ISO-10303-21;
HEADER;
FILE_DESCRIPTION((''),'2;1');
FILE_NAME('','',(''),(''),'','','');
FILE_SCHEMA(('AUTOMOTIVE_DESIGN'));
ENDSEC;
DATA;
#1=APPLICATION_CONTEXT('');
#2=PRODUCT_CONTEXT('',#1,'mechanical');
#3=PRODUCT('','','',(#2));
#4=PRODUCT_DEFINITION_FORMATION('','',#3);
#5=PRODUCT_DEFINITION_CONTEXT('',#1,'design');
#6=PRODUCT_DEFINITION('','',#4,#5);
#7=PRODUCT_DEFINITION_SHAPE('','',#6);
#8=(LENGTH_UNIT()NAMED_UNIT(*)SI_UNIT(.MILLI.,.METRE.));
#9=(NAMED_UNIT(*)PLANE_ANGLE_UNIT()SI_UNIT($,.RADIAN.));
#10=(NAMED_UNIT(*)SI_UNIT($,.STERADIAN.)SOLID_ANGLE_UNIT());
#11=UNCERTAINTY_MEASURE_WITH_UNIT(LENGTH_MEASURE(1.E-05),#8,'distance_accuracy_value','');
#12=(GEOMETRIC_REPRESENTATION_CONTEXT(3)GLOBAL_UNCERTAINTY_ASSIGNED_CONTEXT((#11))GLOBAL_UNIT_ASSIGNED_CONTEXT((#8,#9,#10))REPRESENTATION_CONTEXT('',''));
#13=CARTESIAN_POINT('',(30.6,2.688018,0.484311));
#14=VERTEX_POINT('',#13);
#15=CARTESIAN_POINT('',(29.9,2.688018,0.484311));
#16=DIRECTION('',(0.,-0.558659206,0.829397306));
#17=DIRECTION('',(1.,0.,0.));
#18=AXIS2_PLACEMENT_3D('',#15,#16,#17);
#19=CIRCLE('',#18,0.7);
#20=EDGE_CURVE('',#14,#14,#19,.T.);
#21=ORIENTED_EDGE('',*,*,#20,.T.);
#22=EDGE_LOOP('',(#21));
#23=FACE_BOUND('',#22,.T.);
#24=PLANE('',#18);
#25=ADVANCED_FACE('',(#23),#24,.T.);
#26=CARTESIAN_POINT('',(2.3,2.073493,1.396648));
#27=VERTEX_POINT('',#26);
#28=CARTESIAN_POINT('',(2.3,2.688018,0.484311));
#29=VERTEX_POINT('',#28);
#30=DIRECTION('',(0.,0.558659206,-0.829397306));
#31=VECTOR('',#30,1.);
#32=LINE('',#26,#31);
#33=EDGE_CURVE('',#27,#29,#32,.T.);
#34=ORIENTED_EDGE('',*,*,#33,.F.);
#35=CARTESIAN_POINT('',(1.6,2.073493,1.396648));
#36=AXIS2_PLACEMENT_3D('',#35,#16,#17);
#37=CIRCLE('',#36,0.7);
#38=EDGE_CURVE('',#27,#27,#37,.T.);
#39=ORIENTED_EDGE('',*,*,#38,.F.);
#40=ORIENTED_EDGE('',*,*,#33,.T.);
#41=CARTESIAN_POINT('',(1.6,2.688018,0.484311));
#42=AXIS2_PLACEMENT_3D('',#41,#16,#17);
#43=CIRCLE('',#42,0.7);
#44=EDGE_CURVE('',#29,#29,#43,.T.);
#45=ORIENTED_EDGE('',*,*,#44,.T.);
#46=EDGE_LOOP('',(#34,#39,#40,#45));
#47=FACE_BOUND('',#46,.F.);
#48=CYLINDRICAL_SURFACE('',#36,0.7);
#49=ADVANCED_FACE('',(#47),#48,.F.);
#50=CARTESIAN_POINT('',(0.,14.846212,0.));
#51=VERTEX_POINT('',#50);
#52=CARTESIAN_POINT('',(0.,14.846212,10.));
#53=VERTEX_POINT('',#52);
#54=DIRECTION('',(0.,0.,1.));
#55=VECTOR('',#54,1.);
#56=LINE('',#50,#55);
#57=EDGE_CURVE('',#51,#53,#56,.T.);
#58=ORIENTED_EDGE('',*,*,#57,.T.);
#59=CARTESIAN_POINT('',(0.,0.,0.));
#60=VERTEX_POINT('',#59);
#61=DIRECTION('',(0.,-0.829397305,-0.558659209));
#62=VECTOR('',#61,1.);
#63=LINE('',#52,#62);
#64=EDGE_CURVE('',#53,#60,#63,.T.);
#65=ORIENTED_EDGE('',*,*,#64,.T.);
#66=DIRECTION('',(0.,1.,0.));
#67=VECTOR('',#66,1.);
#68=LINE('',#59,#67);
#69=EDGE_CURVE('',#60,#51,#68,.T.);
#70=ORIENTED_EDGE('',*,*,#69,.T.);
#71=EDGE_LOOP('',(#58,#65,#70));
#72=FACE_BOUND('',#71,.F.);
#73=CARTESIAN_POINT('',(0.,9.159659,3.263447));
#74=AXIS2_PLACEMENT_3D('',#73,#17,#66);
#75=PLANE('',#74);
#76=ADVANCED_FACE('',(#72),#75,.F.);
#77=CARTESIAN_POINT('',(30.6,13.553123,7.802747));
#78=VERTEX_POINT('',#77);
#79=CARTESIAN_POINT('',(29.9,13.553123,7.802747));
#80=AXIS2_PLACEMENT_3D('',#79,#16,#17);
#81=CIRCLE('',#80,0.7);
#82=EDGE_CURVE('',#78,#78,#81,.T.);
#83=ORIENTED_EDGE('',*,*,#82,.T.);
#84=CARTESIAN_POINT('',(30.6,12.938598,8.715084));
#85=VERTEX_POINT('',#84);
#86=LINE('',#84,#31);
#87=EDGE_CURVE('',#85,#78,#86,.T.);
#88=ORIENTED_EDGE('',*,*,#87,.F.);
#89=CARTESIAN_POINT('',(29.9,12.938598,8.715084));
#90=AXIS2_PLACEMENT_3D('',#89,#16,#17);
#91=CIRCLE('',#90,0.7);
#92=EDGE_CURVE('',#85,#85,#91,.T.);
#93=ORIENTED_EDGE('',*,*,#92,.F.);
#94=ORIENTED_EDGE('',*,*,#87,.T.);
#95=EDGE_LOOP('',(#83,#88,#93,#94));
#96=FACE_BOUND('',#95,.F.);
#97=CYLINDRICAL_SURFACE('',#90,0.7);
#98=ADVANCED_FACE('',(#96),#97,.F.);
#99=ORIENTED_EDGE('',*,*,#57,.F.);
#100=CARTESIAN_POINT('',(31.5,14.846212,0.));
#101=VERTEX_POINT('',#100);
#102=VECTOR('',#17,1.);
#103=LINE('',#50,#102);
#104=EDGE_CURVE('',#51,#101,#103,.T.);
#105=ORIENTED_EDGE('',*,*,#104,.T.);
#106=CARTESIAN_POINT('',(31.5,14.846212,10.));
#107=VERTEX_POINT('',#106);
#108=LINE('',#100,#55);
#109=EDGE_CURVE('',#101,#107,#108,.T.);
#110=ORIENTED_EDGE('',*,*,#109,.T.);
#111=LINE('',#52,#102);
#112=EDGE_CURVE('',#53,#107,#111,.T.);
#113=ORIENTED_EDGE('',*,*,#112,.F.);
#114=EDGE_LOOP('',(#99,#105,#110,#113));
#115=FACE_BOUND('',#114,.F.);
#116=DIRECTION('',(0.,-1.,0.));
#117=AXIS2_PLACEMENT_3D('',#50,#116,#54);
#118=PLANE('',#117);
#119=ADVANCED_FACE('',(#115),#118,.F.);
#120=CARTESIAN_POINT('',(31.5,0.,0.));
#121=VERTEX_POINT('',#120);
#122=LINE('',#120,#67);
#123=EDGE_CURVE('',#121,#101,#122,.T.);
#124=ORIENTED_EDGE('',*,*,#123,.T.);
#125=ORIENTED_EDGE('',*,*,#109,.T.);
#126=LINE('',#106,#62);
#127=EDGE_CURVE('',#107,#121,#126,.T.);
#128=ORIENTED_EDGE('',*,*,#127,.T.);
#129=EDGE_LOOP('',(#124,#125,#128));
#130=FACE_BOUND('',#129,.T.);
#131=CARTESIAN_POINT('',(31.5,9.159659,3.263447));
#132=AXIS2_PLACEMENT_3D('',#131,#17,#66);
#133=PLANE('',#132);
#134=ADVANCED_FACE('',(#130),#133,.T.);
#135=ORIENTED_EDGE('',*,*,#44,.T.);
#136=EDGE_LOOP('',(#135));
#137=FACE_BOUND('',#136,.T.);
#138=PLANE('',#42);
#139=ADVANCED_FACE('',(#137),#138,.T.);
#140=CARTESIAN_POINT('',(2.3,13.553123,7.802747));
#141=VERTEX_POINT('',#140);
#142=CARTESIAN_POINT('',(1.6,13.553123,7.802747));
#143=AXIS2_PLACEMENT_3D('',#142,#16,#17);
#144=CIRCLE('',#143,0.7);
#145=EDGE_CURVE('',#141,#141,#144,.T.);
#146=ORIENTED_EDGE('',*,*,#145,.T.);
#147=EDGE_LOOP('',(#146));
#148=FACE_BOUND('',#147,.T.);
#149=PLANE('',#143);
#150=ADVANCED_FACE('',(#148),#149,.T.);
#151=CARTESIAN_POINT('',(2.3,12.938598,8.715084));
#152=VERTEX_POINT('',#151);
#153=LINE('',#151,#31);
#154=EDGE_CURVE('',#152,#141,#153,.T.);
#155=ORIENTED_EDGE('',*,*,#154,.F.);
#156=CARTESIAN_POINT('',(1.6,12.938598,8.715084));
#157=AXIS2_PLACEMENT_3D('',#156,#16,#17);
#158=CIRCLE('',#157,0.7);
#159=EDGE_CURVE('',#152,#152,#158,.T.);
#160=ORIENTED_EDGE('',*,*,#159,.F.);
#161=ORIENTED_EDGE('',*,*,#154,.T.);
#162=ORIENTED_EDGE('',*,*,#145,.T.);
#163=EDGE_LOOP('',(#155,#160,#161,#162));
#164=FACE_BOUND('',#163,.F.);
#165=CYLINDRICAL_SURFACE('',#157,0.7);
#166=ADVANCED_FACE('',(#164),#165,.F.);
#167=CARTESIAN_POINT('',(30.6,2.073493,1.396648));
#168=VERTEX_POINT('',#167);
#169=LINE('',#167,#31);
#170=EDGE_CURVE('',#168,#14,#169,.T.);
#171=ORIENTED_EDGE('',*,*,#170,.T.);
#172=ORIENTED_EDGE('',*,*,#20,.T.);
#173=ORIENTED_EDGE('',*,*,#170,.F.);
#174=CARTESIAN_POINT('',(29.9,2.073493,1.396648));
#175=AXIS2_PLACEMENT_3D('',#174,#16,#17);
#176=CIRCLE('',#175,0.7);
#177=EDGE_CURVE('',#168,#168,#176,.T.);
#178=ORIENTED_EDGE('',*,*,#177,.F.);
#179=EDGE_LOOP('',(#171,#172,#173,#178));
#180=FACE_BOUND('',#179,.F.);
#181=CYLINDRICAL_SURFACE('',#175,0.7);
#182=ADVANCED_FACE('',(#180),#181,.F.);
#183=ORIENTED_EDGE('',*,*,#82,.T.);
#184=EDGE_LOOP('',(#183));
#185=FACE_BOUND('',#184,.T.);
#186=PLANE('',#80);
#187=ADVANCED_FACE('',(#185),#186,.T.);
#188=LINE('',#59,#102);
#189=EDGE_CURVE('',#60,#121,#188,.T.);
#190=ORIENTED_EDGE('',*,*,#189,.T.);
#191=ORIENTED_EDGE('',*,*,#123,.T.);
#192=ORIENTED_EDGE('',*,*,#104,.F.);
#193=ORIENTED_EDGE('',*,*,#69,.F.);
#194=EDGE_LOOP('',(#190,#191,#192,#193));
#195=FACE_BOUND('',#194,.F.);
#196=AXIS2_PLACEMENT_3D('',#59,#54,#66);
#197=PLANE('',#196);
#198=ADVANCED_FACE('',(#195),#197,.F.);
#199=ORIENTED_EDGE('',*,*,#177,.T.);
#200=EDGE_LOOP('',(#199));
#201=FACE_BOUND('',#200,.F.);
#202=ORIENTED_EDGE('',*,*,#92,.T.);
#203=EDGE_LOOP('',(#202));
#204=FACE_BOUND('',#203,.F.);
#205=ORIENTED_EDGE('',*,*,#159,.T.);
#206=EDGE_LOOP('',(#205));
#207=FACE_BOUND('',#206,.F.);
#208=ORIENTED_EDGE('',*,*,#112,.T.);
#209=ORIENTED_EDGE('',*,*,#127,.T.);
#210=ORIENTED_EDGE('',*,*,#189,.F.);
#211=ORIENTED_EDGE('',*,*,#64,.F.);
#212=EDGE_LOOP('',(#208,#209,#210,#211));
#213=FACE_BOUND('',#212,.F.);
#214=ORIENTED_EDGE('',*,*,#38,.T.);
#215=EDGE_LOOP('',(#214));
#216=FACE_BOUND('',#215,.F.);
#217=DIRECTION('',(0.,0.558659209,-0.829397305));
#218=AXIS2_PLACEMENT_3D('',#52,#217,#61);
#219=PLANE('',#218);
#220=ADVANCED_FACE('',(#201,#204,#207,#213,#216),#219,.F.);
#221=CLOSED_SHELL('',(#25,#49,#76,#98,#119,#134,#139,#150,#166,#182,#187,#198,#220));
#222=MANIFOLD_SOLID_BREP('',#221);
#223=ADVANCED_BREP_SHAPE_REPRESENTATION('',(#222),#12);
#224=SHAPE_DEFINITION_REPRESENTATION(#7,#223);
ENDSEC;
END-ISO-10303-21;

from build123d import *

# Parameters (mm, degrees)
F1_DEPTH = 31.5
F2_R     = 0.7
F3_DEPTH = 1.1


with BuildPart() as f1:
    # F0 (on Right) → F1 (new body)
    with BuildSketch(Plane.YZ):
        Polygon((14.846212, 0), (14.846212, 10), (0, 0), align=None)
    extrude(amount=F1_DEPTH)

    # F2 (on face) → F3 (cut)
    with BuildSketch(Plane(origin=(0, 0, 0), x_dir=(1, 0, 0), z_dir=(0, -0.558659, 0.829397))):
        with Locations((1.6, 15.6)):
            Circle(F2_R)
        with Locations((29.9, 15.6)):
            Circle(F2_R)
        with Locations((29.9, 2.5)):
            Circle(F2_R)
        with Locations((1.6, 2.5)):
            Circle(F2_R)
    extrude(amount=-F3_DEPTH, mode=Mode.SUBTRACT)


solid = f1.part
